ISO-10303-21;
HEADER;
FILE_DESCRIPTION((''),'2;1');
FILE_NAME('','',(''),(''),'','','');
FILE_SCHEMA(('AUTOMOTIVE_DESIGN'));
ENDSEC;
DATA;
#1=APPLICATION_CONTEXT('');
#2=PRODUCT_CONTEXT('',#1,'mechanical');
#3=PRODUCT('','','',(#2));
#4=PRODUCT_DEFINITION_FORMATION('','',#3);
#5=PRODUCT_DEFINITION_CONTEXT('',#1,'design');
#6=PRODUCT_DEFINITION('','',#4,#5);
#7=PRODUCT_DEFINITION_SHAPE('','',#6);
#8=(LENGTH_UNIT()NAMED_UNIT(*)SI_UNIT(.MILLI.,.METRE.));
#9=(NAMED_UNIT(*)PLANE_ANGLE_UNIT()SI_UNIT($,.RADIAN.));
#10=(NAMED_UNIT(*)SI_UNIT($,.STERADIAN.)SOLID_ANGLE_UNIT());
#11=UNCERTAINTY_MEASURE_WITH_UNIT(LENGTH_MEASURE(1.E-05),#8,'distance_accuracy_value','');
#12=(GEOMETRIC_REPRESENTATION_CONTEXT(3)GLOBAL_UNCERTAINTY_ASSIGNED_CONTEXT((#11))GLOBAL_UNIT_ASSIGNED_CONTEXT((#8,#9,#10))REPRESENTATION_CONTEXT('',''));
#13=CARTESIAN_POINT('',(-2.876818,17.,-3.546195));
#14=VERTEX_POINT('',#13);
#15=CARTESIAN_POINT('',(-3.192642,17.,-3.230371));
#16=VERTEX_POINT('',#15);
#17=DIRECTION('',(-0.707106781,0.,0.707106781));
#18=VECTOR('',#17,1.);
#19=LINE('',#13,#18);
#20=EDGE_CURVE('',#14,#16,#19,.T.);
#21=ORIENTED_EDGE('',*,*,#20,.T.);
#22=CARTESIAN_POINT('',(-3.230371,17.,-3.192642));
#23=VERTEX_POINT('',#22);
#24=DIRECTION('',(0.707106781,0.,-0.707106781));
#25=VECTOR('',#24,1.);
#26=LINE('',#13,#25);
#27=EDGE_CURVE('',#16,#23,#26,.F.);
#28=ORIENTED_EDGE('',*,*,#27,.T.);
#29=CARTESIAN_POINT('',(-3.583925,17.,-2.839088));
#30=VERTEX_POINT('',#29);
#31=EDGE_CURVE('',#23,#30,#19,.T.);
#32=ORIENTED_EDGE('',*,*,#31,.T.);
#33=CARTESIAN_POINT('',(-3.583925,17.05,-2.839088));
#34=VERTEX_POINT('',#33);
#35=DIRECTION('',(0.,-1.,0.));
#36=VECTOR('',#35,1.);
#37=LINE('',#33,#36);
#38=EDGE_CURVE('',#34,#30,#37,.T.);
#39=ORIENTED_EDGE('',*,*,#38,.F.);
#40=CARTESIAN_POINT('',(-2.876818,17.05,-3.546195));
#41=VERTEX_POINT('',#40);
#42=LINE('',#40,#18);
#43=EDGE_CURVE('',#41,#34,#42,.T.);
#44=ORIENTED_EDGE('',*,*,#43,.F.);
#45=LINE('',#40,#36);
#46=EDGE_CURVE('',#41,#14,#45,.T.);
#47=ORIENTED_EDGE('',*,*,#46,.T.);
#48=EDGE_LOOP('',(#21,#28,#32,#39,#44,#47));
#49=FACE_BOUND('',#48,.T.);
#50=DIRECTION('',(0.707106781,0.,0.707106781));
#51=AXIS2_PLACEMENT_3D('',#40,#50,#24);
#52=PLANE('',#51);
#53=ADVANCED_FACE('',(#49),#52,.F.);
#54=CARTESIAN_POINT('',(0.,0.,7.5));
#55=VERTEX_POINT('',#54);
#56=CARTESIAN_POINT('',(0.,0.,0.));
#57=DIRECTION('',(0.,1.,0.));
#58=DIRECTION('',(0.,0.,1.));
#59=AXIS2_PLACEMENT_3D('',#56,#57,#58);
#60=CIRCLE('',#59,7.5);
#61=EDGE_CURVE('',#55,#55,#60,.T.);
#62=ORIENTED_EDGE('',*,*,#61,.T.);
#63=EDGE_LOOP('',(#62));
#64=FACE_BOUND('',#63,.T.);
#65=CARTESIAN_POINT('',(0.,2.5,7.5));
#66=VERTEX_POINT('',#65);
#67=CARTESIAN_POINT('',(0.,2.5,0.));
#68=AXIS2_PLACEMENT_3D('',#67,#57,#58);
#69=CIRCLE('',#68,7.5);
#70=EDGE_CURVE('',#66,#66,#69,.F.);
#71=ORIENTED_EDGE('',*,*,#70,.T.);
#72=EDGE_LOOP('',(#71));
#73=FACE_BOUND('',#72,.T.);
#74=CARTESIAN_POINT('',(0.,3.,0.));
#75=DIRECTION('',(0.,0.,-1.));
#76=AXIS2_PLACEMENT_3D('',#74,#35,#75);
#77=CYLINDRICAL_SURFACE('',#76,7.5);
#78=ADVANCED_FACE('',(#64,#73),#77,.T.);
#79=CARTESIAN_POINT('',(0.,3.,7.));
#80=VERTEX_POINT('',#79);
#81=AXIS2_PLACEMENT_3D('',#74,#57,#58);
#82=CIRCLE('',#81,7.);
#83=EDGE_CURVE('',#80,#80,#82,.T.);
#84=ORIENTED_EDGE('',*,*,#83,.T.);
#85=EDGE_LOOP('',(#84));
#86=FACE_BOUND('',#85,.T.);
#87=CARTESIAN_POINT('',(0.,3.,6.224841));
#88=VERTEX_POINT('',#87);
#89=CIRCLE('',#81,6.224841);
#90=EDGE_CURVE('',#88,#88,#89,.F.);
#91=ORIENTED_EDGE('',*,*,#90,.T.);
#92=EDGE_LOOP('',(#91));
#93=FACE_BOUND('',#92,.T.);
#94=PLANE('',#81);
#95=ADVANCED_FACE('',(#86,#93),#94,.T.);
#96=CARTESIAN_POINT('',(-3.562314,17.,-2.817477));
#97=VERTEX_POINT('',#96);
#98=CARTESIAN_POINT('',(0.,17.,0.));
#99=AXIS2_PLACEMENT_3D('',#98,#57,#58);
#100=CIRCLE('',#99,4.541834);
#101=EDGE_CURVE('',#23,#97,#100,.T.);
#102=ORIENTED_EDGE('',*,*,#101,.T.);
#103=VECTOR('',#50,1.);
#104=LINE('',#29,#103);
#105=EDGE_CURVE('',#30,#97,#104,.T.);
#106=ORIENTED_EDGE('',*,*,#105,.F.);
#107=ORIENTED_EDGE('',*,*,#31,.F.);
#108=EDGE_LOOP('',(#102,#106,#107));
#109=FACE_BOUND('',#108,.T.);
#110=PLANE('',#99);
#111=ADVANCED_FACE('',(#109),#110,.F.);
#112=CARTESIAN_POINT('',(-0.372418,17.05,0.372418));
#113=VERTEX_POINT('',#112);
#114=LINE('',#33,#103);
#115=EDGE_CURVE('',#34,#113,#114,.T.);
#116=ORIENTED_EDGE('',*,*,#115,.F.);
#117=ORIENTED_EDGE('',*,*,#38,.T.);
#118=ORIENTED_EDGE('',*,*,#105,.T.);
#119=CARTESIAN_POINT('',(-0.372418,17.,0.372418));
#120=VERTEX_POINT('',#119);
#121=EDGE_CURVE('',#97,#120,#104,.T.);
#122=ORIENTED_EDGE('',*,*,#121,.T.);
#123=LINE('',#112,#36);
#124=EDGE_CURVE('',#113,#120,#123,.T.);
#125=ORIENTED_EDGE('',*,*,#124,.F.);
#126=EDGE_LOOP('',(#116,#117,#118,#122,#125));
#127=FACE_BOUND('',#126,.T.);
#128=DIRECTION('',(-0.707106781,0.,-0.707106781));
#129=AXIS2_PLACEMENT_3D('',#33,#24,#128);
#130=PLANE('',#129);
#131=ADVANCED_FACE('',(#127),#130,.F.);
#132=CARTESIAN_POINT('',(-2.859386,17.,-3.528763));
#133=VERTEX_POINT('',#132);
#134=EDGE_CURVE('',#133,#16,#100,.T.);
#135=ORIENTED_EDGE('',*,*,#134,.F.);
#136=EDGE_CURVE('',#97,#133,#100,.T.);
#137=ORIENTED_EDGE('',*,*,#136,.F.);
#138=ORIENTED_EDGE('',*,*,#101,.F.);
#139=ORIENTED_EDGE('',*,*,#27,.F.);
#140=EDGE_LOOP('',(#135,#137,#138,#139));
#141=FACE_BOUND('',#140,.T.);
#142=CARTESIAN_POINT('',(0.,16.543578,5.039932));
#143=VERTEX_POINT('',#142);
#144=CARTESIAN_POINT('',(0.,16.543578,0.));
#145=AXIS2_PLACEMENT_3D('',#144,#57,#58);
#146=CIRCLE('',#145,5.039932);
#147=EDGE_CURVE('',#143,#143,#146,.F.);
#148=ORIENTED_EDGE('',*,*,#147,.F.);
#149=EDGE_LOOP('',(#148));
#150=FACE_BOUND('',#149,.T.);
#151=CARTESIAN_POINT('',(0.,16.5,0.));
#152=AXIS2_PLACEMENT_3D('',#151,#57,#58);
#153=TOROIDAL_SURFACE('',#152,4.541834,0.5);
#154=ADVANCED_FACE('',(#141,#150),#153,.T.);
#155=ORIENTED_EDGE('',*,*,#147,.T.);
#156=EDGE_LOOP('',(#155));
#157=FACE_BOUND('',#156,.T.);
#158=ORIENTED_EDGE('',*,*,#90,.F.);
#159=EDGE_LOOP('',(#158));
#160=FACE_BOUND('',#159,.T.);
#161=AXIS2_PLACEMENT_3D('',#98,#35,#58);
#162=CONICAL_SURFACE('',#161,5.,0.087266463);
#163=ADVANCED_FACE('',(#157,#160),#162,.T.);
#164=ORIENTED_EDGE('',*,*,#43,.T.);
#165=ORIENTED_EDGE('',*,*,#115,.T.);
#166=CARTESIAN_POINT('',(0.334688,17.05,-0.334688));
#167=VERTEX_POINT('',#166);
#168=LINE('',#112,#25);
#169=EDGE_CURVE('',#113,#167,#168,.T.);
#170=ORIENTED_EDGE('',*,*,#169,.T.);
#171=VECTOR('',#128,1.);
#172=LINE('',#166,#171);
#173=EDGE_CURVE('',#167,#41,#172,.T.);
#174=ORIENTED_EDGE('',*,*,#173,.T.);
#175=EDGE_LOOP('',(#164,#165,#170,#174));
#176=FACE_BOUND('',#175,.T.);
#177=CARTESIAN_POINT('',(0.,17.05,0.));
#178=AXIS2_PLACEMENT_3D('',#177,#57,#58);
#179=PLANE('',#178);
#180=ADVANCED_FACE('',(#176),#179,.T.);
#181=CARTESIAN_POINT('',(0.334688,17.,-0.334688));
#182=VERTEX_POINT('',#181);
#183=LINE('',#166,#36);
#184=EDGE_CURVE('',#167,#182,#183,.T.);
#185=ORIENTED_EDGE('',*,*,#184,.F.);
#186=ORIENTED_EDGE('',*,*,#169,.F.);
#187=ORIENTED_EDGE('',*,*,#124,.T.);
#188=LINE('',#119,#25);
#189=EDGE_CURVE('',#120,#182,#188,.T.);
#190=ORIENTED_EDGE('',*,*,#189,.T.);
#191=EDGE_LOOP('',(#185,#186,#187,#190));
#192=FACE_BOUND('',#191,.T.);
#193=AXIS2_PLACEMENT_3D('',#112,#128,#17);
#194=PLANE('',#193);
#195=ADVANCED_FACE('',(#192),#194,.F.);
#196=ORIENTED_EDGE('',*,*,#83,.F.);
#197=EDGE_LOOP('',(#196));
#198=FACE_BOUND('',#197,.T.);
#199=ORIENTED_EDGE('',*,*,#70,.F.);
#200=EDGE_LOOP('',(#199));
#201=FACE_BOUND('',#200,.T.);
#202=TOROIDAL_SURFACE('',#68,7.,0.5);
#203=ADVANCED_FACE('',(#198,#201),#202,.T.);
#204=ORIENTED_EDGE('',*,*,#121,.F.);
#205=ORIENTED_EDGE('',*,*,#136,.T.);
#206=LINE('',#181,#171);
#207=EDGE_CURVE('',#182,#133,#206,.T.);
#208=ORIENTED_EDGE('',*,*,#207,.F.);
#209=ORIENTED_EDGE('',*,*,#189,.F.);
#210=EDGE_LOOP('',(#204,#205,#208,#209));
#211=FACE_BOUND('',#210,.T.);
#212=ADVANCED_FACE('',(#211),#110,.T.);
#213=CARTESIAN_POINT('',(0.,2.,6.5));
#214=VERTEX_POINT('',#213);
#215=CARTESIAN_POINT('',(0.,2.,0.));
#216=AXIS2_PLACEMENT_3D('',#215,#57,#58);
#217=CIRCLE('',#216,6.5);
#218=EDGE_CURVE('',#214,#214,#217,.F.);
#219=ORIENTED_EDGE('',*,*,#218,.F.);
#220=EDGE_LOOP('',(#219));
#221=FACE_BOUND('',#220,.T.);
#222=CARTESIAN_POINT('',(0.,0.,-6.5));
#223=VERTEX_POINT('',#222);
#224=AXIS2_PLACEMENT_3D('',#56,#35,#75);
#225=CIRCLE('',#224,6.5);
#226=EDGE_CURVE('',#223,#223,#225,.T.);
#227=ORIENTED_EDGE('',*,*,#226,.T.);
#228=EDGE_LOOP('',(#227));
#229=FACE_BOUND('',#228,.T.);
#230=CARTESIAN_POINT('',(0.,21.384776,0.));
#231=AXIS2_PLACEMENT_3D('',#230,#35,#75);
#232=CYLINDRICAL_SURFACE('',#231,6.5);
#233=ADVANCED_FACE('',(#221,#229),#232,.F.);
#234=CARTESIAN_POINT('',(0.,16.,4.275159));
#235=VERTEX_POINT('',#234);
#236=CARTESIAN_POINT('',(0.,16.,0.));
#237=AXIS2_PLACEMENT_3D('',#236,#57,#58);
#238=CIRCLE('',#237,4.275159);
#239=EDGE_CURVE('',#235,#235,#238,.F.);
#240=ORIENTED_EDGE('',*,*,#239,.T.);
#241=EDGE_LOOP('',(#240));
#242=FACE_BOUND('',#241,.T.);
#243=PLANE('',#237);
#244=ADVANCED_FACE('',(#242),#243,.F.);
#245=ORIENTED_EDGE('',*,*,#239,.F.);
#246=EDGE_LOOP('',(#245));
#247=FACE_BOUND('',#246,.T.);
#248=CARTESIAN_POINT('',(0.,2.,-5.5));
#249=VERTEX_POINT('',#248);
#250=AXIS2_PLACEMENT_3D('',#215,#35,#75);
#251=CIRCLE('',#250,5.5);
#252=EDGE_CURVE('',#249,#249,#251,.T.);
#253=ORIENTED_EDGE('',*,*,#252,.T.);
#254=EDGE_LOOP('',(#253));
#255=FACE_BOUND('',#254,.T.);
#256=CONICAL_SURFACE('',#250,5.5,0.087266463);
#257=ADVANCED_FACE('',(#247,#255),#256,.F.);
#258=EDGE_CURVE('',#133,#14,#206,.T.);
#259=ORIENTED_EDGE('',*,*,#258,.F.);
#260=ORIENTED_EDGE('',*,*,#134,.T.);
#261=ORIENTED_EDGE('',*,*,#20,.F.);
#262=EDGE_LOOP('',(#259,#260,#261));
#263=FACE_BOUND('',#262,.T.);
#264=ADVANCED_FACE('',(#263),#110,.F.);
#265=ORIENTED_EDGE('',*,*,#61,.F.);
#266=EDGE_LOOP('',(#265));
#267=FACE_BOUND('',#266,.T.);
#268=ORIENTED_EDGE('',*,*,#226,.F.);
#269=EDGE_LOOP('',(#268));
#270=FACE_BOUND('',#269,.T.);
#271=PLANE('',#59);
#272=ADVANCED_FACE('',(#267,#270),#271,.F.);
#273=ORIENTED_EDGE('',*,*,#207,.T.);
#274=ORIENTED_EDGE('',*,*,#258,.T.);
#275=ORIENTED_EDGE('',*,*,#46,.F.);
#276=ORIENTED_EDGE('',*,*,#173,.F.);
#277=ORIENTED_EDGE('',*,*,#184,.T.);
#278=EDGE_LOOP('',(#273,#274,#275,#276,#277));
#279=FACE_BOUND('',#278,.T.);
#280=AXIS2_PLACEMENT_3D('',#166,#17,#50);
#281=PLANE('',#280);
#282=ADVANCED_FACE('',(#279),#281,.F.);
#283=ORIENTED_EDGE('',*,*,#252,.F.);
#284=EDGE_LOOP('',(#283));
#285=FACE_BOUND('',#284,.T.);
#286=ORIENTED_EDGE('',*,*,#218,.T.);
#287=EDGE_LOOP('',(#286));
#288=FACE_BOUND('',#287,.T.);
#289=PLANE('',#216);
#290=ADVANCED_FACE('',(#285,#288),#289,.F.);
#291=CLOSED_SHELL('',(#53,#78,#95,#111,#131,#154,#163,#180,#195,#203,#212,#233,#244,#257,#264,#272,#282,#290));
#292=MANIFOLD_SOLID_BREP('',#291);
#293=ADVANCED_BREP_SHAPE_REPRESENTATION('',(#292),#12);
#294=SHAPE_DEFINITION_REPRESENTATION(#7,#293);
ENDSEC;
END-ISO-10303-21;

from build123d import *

# Parameters (mm, degrees)
SKETCH1_R           = 7.5
BOSS_EXTRUDE1_DEPTH = 3
SKETCH2_R           = 5
BOSS_EXTRUDE2_DEPTH = 14
BOSS_EXTRUDE2_TAPER = -5
SKETCH4_R           = 6.5
CUT_EXTRUDE1_DEPTH  = 2
SKETCH5_R           = 5.5
CUT_EXTRUDE2_DEPTH  = 14
CUT_EXTRUDE2_TAPER  = 5
FILLET1_R           = 0.5
FILLET2_R           = 0.5
BOSS_EXTRUDE3_DEPTH = 0.05


with BuildPart() as part:
    # Sketch1 → Boss-Extrude1 (new body)
    with BuildSketch(Plane(origin=(0, 0, 0), x_dir=(1, 0, 0), z_dir=(0, 1, 0))):
        Circle(SKETCH1_R)
    extrude(amount=BOSS_EXTRUDE1_DEPTH)

    # Sketch2 → Boss-Extrude2 (add)
    with BuildSketch(Plane(origin=(0, 17, 0), x_dir=(1, 0, 0), z_dir=(0, 1, 0))):
        Circle(SKETCH2_R)
    extrude(amount=-BOSS_EXTRUDE2_DEPTH, taper=BOSS_EXTRUDE2_TAPER)

    # Sketch4 → Cut-Extrude1 (cut)
    with BuildSketch(Plane.XZ):
        Circle(SKETCH4_R)
    extrude(amount=-CUT_EXTRUDE1_DEPTH, mode=Mode.SUBTRACT)

    # Sketch5 → Cut-Extrude2 (cut)
    with BuildSketch(Plane.XZ.offset(-2)):
        Circle(SKETCH5_R)
    extrude(amount=-CUT_EXTRUDE2_DEPTH, taper=CUT_EXTRUDE2_TAPER, mode=Mode.SUBTRACT)

    # Fillet1
    fillet1_edges = [part.edges().sort_by_distance(p)[0] for p in [
        (-7.5, 3, 0),
    ]]
    fillet(fillet1_edges, radius=FILLET1_R)

    # Fillet2
    fillet2_edges = [part.edges().sort_by_distance(p)[0] for p in [
        (-5, 17, 0),
    ]]
    fillet(fillet2_edges, radius=FILLET2_R)

    # Sketch7 → Boss-Extrude3 (add)
    with BuildSketch(Plane(origin=(0, 17, 0), x_dir=(1, 0, 0), z_dir=(0, 1, 0))):
        Polygon((-0.372418319, -0.372418319), (0.334688462, 0.334688462), (-2.876818043, 3.546194967), (-3.583924824, 2.839088186), align=None)
    extrude(amount=BOSS_EXTRUDE3_DEPTH)


solid = part.part
